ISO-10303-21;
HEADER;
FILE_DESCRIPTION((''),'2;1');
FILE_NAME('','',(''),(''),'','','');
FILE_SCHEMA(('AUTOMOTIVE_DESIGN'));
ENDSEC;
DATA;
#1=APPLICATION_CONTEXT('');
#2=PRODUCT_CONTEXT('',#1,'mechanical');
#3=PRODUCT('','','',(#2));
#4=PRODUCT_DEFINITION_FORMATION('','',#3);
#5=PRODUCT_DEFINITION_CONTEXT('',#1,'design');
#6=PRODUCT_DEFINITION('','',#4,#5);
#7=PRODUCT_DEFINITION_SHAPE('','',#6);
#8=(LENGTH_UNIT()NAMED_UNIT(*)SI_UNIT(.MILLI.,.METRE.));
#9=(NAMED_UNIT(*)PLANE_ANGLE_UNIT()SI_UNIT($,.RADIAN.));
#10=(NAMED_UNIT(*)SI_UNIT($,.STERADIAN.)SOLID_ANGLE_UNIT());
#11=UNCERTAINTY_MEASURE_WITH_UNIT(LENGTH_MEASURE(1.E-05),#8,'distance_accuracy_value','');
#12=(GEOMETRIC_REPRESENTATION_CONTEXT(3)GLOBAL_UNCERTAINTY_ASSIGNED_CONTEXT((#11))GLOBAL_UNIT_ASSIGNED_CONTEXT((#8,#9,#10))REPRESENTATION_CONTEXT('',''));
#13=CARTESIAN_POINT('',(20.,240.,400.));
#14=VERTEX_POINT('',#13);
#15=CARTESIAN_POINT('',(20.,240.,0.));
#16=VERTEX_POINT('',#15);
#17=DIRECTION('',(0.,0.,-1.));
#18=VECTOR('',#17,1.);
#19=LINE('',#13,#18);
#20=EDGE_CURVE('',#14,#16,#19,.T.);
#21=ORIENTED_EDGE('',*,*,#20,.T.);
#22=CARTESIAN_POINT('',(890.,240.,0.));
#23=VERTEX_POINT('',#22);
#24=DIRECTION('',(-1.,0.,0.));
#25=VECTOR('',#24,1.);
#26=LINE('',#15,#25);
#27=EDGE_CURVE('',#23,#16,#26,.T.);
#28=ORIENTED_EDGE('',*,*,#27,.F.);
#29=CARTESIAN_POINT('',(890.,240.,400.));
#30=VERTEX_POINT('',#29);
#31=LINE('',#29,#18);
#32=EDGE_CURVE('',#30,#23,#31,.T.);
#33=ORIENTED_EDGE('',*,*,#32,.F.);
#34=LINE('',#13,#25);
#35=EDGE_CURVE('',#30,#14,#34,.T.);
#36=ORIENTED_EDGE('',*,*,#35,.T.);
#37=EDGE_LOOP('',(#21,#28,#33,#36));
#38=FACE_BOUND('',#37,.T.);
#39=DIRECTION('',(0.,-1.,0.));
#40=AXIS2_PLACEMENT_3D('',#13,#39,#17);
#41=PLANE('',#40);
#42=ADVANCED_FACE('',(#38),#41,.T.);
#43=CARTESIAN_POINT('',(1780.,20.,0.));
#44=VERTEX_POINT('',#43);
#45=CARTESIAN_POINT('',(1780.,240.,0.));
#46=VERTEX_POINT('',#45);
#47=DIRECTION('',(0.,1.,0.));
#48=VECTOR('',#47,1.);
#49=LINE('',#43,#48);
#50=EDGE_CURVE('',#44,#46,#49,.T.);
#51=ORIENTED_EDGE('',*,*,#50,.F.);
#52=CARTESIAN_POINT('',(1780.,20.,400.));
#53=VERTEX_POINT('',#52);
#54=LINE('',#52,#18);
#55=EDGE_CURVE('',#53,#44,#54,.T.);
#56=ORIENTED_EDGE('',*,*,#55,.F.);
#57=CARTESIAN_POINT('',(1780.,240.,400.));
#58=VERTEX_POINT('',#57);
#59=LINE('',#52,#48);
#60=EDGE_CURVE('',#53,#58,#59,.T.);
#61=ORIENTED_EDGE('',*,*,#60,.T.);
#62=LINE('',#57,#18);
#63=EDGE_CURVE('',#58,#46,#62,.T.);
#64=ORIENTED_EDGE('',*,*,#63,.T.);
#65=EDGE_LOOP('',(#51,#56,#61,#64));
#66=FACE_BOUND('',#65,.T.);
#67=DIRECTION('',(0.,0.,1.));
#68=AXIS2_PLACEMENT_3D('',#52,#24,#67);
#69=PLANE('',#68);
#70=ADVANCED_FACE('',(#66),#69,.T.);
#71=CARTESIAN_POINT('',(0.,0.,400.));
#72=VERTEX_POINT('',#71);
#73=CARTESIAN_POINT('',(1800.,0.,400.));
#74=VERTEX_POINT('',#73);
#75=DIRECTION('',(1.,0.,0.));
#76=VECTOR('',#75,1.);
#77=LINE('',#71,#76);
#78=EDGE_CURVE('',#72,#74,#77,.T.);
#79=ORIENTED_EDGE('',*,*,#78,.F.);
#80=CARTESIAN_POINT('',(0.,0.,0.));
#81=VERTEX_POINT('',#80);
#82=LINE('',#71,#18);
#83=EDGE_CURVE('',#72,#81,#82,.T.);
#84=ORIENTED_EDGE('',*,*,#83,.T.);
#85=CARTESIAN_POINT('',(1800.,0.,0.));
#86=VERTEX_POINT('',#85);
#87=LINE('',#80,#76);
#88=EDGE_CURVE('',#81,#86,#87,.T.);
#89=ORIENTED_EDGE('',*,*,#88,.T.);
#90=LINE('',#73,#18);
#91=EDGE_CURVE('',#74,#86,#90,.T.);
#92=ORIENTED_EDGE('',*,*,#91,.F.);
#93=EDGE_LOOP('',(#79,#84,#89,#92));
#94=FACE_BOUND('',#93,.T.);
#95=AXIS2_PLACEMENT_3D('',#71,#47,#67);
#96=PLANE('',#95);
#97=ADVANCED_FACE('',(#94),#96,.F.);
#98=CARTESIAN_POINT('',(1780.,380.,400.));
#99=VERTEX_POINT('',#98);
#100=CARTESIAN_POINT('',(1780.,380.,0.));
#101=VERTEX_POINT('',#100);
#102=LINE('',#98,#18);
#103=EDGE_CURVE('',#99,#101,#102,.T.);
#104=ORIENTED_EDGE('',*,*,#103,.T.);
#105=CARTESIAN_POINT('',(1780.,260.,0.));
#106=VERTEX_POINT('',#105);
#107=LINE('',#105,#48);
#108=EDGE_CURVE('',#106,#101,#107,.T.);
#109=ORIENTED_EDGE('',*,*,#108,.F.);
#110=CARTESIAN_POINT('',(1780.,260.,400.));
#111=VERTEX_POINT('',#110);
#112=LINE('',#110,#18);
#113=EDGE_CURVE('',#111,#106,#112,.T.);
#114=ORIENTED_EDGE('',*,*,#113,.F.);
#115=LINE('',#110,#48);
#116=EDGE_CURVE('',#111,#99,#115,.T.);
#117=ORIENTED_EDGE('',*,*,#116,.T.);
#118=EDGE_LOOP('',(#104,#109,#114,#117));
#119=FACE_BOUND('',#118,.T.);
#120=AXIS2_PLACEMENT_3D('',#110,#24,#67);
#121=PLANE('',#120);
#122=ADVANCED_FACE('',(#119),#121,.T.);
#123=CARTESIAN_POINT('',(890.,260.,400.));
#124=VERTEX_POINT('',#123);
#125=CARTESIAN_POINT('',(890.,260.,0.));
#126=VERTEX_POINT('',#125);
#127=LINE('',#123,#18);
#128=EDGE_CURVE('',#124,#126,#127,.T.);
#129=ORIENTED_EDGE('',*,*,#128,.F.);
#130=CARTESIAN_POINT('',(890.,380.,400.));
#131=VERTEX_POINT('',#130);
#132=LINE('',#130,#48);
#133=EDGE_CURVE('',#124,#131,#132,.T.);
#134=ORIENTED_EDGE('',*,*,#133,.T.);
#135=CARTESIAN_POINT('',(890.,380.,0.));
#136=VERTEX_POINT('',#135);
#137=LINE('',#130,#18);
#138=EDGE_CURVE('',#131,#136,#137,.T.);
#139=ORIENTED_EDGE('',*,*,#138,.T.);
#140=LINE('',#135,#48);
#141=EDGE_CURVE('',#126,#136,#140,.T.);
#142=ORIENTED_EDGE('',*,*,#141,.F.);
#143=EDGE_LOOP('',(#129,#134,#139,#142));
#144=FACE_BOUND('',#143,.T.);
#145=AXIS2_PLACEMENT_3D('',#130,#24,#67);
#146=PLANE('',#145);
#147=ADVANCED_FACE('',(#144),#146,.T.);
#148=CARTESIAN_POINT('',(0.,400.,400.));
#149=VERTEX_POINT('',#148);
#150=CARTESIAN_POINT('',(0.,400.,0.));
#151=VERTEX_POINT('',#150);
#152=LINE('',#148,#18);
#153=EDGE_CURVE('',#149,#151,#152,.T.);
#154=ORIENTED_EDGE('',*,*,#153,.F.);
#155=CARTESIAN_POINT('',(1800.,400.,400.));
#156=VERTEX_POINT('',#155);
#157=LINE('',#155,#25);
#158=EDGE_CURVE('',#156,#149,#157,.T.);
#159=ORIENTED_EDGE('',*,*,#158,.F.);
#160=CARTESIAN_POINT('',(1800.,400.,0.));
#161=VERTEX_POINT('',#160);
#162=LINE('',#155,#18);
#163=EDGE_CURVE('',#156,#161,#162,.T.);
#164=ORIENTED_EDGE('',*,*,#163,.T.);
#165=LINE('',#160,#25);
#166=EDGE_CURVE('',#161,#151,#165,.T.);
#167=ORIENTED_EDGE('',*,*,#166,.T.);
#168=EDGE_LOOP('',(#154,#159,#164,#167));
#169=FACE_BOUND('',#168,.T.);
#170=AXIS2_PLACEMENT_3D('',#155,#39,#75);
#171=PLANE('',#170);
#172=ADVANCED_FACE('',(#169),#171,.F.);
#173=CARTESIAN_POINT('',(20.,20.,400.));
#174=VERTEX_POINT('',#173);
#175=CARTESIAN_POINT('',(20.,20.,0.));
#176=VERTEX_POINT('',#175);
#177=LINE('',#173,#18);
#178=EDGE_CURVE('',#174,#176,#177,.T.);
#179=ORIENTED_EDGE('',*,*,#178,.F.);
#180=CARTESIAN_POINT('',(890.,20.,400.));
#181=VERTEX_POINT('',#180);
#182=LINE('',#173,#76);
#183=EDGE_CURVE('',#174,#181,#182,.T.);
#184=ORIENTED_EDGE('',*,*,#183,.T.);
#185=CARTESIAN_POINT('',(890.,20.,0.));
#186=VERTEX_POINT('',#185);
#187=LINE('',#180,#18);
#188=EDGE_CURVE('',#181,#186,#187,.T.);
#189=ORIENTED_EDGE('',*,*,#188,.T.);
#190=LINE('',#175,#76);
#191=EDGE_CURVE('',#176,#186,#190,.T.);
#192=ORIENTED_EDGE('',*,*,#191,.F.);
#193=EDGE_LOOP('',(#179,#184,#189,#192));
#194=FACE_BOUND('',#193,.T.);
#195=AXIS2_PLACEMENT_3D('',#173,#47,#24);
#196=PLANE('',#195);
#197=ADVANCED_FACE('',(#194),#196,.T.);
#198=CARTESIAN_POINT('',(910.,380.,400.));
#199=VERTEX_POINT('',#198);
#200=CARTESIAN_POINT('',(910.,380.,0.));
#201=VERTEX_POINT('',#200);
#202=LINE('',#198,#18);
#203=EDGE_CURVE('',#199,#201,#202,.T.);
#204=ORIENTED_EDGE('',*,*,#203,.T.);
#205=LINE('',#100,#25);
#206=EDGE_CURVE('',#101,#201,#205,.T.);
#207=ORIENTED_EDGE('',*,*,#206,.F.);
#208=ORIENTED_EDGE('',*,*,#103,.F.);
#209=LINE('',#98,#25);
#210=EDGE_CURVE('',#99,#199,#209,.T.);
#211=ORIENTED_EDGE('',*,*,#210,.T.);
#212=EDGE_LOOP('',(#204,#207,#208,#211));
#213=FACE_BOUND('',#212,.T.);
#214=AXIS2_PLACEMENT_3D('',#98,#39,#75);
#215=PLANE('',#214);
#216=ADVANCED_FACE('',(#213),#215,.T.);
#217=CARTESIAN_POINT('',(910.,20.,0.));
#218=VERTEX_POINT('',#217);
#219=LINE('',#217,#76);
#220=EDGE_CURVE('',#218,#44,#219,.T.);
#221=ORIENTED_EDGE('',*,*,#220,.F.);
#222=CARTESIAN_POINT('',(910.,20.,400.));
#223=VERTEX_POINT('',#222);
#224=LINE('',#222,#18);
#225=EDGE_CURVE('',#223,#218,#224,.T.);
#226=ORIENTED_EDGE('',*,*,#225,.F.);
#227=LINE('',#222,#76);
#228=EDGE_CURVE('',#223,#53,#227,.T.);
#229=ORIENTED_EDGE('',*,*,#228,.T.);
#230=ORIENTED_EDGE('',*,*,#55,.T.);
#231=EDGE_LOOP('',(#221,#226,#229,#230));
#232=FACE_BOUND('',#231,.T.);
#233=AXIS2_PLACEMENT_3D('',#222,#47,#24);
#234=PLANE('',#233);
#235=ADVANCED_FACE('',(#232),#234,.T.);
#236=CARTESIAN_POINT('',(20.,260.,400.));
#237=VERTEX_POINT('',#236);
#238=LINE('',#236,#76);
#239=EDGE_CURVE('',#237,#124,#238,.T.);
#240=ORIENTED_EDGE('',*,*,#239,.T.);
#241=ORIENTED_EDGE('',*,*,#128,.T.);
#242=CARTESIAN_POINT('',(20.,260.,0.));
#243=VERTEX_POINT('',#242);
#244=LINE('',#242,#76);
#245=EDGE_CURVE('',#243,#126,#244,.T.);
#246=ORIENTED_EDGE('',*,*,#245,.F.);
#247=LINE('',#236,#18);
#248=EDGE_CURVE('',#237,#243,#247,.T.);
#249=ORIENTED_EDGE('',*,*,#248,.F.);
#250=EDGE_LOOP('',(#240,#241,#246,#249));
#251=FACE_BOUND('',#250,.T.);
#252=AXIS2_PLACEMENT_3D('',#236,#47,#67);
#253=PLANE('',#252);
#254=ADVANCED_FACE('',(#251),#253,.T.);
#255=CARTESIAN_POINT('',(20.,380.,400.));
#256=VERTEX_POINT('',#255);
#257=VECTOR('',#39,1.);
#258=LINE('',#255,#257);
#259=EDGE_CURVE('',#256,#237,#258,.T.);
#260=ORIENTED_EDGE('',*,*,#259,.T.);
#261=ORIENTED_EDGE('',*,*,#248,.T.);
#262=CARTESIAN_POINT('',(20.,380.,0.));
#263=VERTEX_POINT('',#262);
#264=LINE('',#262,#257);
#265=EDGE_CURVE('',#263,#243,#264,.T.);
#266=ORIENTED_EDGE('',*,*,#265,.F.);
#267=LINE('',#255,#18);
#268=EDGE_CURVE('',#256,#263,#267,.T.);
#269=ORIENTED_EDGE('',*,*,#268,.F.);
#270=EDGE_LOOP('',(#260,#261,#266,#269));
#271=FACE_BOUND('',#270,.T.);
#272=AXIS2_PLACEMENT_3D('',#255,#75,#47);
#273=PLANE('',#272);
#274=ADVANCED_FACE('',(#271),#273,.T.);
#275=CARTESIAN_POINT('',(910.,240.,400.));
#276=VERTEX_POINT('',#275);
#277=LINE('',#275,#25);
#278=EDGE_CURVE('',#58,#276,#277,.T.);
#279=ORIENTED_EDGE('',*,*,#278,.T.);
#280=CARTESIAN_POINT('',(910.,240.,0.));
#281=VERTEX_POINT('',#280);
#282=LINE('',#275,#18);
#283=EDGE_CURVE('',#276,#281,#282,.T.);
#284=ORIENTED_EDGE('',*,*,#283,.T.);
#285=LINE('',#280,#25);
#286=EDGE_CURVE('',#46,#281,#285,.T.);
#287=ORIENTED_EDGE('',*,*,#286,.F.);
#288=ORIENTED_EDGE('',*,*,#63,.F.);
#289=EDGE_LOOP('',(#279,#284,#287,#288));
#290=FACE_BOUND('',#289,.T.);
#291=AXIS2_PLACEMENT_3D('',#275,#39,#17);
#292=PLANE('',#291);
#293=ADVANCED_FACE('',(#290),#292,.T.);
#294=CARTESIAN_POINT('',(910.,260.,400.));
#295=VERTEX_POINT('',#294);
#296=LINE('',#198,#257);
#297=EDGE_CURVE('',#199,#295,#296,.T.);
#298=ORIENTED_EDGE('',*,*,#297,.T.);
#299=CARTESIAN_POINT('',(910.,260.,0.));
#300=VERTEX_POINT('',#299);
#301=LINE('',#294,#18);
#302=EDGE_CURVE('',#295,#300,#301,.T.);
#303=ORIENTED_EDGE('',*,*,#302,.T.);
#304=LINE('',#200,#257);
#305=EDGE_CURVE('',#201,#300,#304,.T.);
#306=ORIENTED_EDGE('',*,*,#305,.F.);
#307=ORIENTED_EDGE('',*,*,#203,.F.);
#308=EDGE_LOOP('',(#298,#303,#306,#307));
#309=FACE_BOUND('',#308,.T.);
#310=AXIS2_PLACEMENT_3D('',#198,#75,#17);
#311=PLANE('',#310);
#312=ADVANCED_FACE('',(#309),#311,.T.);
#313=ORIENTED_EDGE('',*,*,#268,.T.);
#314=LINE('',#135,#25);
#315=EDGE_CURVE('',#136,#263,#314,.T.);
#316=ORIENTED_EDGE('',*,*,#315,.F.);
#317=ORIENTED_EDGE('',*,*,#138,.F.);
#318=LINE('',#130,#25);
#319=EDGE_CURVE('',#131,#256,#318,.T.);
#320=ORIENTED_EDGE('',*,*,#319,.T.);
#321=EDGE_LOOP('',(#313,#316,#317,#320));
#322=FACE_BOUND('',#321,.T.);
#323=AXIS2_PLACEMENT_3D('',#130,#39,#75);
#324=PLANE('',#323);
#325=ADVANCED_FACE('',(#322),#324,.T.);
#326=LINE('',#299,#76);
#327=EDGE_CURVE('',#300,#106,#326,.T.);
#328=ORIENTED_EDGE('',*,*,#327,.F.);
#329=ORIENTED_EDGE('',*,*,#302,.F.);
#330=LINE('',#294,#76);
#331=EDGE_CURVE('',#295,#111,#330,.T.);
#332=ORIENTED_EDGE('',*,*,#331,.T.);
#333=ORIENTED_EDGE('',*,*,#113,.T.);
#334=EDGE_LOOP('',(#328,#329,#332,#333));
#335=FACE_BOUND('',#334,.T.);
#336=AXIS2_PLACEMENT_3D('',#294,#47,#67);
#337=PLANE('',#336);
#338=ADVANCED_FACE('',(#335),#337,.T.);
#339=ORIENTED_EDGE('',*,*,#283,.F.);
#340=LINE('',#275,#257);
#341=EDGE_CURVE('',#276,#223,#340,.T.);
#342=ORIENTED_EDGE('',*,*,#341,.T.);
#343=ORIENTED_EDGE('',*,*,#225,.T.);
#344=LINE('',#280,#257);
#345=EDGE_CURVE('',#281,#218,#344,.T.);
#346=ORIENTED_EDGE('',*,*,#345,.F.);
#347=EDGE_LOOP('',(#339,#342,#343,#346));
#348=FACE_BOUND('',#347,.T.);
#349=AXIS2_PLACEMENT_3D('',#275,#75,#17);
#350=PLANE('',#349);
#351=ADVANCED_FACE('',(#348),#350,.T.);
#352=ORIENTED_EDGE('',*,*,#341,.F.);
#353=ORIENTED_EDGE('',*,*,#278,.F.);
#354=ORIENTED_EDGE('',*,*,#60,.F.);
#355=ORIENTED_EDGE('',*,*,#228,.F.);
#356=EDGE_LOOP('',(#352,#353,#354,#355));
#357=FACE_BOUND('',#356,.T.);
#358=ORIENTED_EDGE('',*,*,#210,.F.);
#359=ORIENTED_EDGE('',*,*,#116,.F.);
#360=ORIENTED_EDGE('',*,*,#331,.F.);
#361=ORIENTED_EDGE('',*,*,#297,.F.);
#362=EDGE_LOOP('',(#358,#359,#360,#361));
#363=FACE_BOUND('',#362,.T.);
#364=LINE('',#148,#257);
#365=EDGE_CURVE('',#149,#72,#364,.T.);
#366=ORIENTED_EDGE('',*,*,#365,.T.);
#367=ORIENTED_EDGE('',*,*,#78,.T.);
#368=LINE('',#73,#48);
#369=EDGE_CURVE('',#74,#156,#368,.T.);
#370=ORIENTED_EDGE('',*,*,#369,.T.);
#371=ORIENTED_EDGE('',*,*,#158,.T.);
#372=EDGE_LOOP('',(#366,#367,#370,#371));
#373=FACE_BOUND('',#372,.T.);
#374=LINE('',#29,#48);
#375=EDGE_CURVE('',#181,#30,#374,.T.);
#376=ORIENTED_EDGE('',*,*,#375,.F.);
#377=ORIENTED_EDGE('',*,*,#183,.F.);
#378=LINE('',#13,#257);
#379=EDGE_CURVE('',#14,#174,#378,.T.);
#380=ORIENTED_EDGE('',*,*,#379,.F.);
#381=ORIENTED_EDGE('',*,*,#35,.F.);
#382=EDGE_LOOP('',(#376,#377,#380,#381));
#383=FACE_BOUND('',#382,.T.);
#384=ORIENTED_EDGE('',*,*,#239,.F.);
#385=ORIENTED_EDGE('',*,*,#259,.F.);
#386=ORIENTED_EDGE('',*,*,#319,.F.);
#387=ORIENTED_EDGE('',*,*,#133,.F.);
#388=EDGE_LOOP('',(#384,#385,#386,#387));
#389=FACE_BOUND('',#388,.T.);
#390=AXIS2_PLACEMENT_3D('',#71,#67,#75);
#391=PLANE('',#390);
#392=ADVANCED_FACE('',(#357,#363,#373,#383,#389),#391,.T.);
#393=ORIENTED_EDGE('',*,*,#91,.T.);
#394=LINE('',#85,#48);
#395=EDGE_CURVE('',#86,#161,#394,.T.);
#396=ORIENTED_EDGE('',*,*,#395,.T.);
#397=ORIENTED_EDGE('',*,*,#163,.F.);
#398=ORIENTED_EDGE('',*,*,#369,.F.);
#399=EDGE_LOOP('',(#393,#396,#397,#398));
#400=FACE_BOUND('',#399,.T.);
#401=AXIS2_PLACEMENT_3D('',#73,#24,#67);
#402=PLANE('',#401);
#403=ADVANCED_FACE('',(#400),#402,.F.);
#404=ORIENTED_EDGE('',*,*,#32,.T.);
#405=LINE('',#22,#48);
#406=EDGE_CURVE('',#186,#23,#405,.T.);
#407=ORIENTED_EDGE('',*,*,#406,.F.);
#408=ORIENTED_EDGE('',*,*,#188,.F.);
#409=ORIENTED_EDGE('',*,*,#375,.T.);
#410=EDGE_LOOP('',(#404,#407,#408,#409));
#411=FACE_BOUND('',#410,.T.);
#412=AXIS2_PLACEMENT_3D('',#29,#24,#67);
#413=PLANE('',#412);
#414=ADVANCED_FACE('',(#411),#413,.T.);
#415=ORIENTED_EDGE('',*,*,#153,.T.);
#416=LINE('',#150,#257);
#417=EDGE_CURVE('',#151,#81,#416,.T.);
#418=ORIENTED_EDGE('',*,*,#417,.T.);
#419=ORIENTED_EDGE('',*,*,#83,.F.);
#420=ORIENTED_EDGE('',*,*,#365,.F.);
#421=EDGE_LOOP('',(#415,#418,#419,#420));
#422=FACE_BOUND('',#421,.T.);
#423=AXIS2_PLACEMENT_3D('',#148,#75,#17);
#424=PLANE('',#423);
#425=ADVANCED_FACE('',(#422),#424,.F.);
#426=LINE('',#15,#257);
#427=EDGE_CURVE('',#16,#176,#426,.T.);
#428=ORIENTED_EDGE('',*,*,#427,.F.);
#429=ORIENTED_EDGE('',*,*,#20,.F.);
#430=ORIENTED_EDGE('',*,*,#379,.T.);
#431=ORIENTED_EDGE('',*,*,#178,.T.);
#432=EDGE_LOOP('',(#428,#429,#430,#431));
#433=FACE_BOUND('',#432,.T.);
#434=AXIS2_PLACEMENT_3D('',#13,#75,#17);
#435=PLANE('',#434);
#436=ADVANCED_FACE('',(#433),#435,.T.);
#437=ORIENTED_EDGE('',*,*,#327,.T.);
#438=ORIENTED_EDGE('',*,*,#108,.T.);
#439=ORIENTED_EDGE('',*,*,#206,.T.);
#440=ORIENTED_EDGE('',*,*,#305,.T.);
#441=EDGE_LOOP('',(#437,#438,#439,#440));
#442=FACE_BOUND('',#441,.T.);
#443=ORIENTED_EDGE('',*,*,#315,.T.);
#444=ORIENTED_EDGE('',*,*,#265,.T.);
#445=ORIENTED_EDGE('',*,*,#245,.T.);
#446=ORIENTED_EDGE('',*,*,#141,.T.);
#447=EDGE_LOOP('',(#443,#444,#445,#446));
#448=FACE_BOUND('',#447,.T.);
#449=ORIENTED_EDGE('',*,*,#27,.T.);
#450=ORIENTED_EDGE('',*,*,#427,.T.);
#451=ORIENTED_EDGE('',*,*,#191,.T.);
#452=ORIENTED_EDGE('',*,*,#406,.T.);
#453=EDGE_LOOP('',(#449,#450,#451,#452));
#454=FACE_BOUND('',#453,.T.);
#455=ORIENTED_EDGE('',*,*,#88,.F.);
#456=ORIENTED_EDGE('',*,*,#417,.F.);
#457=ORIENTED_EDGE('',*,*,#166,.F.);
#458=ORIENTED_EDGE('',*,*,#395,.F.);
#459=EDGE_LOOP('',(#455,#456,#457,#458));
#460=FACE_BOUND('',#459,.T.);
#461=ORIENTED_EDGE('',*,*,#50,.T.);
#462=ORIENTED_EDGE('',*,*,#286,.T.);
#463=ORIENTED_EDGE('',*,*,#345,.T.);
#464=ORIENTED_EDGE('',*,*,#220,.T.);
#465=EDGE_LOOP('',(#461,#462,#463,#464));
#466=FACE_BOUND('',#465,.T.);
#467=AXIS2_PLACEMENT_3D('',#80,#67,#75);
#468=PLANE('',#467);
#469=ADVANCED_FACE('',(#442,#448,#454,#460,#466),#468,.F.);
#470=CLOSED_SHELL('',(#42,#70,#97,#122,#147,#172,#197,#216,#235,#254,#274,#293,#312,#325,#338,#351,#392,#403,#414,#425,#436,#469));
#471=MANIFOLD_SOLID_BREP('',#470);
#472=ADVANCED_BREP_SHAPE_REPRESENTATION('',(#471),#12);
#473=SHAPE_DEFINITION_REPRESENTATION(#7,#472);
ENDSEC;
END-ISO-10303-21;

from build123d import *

# Parameters (mm, degrees)
SKETCH1_W           = 1800
SKETCH1_H           = 400
SKETCH1_W_2         = 870
SKETCH1_H_2         = 120
SKETCH1_H_3         = 220
BOSS_EXTRUDE1_DEPTH = 400


with BuildPart() as part:
    # Sketch1 → Boss-Extrude1 (new body)
    with BuildSketch(Plane.XY):
        with Locations((900, 200)):
            Rectangle(SKETCH1_W, SKETCH1_H)
        with Locations((455, 320)):
            Rectangle(SKETCH1_W_2, SKETCH1_H_2, mode=Mode.SUBTRACT)
        with Locations((455, 130)):
            Rectangle(SKETCH1_W_2, SKETCH1_H_3, mode=Mode.SUBTRACT)
        with Locations((1345, 130)):
            Rectangle(SKETCH1_W_2, SKETCH1_H_3, mode=Mode.SUBTRACT)
        with Locations((1345, 320)):
            Rectangle(SKETCH1_W_2, SKETCH1_H_2, mode=Mode.SUBTRACT)
    extrude(amount=BOSS_EXTRUDE1_DEPTH)


solid = part.part
